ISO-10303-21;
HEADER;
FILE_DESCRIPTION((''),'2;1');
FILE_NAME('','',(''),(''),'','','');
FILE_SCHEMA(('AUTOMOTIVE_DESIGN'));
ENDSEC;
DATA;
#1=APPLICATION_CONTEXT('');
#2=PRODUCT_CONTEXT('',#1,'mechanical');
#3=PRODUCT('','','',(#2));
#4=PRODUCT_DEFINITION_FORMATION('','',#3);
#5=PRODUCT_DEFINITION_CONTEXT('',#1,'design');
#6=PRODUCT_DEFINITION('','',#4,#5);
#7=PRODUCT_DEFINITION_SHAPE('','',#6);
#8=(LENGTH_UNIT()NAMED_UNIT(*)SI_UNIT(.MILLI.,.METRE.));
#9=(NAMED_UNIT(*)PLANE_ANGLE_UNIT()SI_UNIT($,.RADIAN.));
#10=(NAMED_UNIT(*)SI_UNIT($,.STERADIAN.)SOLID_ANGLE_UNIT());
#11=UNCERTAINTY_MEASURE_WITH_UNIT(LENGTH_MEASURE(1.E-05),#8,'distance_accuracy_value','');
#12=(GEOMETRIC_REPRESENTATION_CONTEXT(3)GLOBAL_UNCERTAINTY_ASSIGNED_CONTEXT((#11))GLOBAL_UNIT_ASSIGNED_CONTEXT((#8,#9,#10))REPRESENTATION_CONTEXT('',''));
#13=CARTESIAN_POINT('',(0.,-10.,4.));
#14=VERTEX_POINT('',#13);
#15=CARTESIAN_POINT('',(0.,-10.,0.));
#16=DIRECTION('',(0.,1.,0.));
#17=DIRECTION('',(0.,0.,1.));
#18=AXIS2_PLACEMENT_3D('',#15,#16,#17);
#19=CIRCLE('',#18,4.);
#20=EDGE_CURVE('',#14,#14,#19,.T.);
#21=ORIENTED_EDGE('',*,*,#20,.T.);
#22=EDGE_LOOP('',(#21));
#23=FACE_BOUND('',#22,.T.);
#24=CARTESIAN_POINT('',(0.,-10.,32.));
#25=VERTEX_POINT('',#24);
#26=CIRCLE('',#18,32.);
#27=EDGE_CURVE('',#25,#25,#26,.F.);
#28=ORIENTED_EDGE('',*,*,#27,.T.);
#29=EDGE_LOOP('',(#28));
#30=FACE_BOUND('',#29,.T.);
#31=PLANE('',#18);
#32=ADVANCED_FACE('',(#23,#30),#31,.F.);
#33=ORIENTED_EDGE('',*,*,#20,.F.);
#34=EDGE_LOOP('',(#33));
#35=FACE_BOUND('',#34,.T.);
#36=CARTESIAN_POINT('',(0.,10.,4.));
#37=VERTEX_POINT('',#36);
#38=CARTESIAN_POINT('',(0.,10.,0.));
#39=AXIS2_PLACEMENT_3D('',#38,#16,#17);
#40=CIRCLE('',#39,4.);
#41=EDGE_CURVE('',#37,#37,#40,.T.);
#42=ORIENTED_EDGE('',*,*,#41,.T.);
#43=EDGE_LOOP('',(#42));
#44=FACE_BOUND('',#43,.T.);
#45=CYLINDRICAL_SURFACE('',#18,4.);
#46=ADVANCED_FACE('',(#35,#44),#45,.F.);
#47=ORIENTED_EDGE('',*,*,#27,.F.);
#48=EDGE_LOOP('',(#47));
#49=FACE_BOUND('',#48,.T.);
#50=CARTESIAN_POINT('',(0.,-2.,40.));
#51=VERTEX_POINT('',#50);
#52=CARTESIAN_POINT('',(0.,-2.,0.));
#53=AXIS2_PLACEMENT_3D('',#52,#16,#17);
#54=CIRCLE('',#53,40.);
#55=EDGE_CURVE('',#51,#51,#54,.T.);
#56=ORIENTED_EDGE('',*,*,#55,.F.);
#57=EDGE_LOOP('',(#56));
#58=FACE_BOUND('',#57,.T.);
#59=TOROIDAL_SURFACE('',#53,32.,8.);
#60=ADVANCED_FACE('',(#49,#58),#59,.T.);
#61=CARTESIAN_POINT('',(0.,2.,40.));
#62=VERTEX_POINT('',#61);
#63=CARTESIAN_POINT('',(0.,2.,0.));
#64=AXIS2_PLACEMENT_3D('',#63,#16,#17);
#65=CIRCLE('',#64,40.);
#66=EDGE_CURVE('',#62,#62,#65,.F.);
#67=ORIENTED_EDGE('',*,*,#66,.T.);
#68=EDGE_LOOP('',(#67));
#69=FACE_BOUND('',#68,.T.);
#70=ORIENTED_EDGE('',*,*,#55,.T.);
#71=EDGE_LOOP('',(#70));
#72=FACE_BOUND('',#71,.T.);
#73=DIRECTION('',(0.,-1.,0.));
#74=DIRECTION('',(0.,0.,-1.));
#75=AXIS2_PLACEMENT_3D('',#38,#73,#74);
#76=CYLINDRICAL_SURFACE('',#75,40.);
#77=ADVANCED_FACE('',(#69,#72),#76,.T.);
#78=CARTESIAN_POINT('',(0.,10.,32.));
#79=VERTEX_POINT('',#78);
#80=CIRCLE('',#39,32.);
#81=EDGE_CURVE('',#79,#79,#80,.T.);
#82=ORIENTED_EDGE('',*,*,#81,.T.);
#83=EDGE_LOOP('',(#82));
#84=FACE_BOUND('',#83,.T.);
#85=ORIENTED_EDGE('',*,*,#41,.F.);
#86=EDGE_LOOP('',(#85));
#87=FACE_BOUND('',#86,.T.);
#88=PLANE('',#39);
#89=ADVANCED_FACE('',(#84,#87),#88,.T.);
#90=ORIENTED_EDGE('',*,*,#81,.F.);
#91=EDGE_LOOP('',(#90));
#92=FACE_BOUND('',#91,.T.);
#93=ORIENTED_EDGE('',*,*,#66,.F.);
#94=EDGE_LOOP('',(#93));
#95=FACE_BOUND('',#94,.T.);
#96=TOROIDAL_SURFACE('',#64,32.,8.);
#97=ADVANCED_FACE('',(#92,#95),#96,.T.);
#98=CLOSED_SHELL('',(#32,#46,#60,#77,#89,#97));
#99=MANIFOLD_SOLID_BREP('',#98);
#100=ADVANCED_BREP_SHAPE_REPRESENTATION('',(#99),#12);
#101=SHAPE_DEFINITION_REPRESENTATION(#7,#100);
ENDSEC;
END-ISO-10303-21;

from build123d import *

# Parameters (mm, degrees)
SKETCH_1_R          = 40
EXTRUDE_1_DEPTH     = 10
FILLET_1_R          = 8
SKETCH_2_R          = 4
CUT_EXTRUDE_1_DEPTH = 10


with BuildPart() as part:
    # 草图1 → 凸台-拉伸1 (new body, symmetric)
    with BuildSketch(Plane(origin=(0, 0, 0), x_dir=(1, 0, 0), z_dir=(0, 1, 0))):
        Circle(SKETCH_1_R)
    extrude(amount=EXTRUDE_1_DEPTH, both=True)

    # 圆角1
    fillet_1_edges = [part.edges().sort_by_distance(p)[0] for p in [
        (-40, -10, 0),
        (-40, 10, 0),
    ]]
    fillet(fillet_1_edges, radius=FILLET_1_R)

    # 草图2 → 切除-拉伸1 (cut, symmetric)
    with BuildSketch(Plane(origin=(0, 0, 0), x_dir=(1, 0, 0), z_dir=(0, 1, 0))):
        Circle(SKETCH_2_R)
    extrude(amount=CUT_EXTRUDE_1_DEPTH, both=True, mode=Mode.SUBTRACT)


solid = part.part
